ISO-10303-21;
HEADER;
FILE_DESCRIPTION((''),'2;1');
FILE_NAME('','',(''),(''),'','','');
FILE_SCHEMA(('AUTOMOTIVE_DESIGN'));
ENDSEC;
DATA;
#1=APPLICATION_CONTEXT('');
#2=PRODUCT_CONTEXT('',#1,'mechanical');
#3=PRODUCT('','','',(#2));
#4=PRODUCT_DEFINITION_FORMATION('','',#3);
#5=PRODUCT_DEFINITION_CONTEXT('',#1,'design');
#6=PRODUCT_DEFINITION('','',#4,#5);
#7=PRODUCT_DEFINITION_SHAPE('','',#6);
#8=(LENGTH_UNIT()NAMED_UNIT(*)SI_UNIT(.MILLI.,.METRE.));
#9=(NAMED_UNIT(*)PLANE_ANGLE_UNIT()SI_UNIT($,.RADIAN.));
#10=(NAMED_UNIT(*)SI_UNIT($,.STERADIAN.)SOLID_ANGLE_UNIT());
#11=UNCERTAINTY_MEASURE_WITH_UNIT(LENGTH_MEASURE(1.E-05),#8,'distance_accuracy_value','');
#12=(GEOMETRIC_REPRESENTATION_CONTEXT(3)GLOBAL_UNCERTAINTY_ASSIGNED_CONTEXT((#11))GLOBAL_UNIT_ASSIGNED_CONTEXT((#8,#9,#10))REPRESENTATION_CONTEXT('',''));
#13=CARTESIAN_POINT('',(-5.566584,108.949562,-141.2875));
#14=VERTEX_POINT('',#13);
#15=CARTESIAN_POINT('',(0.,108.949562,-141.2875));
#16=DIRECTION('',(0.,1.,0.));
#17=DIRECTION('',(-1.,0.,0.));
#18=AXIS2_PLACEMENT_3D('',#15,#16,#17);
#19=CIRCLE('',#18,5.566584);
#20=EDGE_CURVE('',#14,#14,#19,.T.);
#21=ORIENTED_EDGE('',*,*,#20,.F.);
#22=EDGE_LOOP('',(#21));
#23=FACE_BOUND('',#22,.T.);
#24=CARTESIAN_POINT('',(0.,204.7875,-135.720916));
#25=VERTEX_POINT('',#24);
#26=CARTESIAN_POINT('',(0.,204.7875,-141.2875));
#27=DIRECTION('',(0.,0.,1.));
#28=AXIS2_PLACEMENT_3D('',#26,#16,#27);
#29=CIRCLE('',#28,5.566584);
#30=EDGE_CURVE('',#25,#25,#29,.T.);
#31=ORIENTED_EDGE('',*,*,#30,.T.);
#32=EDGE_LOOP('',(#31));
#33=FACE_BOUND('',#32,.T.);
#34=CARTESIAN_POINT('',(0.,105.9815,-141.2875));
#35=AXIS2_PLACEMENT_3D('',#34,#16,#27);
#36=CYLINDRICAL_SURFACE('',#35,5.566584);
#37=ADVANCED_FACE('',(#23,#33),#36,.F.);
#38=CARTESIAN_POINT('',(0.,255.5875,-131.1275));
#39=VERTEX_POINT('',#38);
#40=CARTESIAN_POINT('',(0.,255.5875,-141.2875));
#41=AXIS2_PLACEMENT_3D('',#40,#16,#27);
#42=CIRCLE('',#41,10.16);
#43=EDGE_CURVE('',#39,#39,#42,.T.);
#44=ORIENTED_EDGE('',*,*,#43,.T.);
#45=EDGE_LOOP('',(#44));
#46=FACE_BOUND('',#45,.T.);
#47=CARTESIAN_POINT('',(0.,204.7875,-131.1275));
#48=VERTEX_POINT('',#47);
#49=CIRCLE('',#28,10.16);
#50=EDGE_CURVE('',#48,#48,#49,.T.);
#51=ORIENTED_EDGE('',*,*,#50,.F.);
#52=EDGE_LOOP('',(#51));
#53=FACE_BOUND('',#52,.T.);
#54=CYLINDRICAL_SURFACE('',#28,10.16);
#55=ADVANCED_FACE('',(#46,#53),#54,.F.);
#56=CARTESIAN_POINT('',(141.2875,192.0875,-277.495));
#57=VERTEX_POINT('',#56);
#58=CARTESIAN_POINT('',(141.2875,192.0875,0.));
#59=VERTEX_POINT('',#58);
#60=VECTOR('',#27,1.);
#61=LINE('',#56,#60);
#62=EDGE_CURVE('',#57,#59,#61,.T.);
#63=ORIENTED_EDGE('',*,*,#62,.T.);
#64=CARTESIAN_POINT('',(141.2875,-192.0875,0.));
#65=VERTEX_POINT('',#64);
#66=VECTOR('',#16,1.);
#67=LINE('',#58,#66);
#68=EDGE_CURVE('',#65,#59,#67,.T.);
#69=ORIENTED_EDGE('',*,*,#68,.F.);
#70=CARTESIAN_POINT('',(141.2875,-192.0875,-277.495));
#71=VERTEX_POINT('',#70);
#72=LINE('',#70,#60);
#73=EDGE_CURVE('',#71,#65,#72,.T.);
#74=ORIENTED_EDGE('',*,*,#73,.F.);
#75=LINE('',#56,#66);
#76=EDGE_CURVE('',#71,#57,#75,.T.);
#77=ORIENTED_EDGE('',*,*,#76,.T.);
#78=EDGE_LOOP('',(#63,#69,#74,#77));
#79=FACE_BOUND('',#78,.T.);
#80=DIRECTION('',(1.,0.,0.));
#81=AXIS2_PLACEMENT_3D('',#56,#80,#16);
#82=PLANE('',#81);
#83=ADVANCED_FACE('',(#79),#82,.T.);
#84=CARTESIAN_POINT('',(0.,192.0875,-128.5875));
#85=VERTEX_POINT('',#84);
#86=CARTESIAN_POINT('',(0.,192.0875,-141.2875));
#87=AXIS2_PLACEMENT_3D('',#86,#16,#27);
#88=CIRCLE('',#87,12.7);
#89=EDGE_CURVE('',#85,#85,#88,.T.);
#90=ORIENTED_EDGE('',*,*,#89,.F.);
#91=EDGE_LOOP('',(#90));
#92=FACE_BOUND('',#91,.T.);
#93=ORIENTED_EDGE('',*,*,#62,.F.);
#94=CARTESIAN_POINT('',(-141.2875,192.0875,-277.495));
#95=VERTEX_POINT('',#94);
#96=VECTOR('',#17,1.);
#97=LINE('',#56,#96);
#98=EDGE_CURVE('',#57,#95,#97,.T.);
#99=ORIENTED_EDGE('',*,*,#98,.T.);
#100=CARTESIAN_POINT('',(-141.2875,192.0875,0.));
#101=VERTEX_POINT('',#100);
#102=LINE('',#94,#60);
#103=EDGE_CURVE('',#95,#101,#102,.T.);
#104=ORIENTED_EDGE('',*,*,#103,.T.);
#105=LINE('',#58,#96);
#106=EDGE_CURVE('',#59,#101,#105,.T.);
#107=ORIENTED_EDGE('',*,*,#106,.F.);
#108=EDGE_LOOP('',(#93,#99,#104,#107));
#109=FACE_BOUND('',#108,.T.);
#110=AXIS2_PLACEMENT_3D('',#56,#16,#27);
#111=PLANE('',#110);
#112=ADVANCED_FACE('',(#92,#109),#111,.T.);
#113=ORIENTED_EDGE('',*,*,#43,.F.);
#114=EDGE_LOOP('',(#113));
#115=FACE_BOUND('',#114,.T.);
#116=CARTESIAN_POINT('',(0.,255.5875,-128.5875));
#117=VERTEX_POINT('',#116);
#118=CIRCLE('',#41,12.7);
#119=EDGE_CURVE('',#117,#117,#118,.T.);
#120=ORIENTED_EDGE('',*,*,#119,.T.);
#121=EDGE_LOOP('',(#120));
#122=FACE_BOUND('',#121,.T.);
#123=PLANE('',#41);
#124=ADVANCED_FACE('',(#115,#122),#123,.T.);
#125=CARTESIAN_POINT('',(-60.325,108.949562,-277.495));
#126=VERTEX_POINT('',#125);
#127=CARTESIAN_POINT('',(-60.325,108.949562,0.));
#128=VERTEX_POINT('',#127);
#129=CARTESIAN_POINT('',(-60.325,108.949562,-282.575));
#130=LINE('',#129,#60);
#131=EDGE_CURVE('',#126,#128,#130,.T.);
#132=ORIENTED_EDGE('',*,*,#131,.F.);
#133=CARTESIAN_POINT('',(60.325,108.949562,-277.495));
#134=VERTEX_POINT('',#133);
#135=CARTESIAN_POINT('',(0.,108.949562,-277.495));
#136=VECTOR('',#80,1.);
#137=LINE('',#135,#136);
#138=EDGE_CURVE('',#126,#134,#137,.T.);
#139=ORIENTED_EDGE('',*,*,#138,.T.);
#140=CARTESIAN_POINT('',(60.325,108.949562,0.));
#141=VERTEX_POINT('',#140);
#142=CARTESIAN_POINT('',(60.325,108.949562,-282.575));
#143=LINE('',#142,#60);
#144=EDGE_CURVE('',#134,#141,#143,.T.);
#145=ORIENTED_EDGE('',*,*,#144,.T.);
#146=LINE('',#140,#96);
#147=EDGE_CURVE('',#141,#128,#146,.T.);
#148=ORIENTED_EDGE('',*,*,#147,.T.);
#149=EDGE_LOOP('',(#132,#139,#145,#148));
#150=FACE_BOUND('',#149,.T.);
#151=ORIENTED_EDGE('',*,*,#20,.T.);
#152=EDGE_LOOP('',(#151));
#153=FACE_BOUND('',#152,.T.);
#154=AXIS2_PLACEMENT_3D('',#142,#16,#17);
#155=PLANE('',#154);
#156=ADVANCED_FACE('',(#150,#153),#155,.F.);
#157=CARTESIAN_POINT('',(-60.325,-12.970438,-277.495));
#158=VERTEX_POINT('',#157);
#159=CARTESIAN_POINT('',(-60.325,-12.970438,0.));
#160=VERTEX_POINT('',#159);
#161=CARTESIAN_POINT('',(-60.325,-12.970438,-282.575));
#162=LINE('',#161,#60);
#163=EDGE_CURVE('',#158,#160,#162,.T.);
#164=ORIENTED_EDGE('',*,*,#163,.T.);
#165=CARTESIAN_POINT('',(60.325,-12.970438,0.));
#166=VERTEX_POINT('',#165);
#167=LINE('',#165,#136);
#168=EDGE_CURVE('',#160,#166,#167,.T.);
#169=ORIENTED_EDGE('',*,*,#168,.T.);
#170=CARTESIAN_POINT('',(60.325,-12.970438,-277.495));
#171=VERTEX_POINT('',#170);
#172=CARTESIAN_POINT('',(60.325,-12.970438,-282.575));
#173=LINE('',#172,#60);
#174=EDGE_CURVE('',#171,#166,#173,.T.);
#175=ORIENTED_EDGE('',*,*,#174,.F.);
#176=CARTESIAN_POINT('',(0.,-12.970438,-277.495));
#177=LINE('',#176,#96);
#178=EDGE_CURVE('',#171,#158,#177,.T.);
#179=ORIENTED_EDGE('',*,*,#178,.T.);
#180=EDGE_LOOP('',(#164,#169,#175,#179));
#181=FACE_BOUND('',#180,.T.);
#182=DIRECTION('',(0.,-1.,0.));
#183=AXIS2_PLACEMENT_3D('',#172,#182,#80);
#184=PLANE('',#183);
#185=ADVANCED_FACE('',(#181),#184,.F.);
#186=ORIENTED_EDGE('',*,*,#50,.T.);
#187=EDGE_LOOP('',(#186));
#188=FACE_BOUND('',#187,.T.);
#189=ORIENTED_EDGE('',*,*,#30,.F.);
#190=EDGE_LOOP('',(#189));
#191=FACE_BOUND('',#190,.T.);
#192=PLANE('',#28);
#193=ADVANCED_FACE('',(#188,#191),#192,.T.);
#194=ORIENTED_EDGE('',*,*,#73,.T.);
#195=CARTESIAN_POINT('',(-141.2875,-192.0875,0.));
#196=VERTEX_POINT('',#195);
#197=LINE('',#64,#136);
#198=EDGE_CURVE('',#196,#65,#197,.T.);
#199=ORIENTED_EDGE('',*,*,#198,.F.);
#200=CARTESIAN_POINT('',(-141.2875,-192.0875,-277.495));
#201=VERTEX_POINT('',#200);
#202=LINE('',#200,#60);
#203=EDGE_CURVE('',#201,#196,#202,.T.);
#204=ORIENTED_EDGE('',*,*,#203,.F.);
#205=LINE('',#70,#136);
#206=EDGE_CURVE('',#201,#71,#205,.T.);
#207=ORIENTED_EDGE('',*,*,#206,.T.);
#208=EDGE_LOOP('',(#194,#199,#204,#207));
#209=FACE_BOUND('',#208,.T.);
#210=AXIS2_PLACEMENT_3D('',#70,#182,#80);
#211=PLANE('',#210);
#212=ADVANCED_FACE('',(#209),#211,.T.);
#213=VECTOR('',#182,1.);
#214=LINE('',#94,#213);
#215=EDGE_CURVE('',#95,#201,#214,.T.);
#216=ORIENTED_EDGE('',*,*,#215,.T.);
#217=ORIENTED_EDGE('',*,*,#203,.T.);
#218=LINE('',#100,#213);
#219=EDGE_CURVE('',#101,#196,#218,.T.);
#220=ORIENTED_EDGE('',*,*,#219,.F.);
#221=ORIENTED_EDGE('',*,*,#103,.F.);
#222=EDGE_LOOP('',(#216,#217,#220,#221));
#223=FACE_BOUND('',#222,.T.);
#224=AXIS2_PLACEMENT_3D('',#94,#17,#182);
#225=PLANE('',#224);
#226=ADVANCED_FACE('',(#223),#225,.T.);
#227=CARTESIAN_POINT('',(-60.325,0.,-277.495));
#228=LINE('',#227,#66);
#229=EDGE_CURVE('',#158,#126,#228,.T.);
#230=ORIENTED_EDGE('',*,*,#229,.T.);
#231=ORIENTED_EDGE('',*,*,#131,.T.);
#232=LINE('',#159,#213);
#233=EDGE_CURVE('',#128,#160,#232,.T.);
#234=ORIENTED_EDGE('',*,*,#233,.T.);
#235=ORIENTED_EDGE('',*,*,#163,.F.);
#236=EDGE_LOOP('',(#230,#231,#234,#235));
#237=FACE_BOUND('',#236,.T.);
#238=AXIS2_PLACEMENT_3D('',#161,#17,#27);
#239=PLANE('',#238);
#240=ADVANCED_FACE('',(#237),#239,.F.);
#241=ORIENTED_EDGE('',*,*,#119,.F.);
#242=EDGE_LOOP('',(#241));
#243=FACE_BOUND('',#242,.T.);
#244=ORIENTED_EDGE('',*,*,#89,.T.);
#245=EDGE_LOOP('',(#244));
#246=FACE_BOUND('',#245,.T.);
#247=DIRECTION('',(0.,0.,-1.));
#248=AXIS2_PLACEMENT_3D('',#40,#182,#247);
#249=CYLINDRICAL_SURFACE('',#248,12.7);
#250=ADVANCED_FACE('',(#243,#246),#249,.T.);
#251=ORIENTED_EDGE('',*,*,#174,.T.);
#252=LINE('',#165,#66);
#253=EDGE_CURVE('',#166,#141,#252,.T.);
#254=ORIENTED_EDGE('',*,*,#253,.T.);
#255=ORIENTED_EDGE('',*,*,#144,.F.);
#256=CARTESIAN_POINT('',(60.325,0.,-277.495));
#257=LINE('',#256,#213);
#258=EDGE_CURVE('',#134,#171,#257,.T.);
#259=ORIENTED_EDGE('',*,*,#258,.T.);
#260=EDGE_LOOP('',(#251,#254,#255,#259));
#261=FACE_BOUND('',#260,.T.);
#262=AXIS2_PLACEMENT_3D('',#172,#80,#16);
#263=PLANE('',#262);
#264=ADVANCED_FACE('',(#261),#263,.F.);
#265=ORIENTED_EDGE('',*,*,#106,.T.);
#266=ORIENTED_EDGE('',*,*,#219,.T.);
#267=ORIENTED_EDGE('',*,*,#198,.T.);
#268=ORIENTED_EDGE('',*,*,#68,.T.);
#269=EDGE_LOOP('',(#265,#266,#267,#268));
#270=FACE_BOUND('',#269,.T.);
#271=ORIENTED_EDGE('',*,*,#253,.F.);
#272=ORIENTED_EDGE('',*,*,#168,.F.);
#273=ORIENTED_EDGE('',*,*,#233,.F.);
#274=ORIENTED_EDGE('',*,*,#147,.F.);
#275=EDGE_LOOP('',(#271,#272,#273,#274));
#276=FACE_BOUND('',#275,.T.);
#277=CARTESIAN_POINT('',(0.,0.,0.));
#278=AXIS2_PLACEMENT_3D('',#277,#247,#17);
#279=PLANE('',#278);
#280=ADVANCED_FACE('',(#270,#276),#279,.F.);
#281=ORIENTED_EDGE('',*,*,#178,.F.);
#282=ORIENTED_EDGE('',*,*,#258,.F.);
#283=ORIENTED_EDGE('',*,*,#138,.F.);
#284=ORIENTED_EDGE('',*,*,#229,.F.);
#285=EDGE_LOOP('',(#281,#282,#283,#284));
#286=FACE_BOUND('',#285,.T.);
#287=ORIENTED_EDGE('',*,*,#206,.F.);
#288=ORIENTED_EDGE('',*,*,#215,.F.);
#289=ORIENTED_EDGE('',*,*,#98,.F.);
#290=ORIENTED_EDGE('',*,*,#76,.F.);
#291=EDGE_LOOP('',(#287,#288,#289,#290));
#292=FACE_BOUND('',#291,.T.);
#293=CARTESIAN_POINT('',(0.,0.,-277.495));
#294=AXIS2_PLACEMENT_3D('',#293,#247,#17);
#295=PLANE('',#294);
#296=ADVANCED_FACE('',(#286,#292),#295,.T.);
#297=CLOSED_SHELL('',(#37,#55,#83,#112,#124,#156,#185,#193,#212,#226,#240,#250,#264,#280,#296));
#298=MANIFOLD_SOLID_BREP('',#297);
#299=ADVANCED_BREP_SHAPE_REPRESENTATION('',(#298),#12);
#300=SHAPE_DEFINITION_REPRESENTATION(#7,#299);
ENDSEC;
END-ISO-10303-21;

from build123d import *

# Parameters (mm, degrees)
SKETCH1_W                 = 282.575
SKETCH1_H                 = 384.175
CELL_BODY_DEPTH           = 277.495
SKETCH5_W                 = 120.65
SKETCH5_H                 = 121.92
SEE_THROUGH_HOLE_DEPTH    = 282.575
SKETCH6_R                 = 12.7
CHIMNEY_DEPTH             = 63.5
SKETCH9_R                 = 10.16
CHIMNEY_COUNTERBORE_DEPTH = 50.8
SKETCH10_R                = 5.566584011
CHIMNEY_HOLE_DEPTH        = 98.806


with BuildPart() as part:
    # Sketch1 → Cell body (new body)
    with BuildSketch(Plane.XY):
        Rectangle(SKETCH1_W, SKETCH1_H)
    extrude(amount=-CELL_BODY_DEPTH)

    # Sketch5 → see-through hole (cut)
    with BuildSketch(Plane.XY):
        with Locations((0, 47.989561969)):
            Rectangle(SKETCH5_W, SKETCH5_H)
    extrude(amount=-SEE_THROUGH_HOLE_DEPTH, mode=Mode.SUBTRACT)

    # Sketch6 → Chimney (add)
    with BuildSketch(Plane(origin=(0, 192.0875, 0), x_dir=(1, 0, 0), z_dir=(0, 1, 0))):
        with Locations(Location((0, 141.2875, 0), (0, 0, 270))):
            Circle(SKETCH6_R)
    extrude(amount=CHIMNEY_DEPTH)

    # Sketch9 → Chimney counterbore (cut)
    with BuildSketch(Plane(origin=(0, 255.5875, 0), x_dir=(1, 0, 0), z_dir=(0, 1, 0))):
        with Locations(Location((0, 141.2875, 0), (0, 0, 270))):
            Circle(SKETCH9_R)
    extrude(amount=-CHIMNEY_COUNTERBORE_DEPTH, mode=Mode.SUBTRACT)

    # Sketch10 → Chimney hole (cut)
    with BuildSketch(Plane(origin=(0, 204.7875, 0), x_dir=(1, 0, 0), z_dir=(0, 1, 0))):
        with Locations(Location((0, 141.2875, 0), (0, 0, 270))):
            Circle(SKETCH10_R)
    extrude(amount=-CHIMNEY_HOLE_DEPTH, mode=Mode.SUBTRACT)


solid = part.part
